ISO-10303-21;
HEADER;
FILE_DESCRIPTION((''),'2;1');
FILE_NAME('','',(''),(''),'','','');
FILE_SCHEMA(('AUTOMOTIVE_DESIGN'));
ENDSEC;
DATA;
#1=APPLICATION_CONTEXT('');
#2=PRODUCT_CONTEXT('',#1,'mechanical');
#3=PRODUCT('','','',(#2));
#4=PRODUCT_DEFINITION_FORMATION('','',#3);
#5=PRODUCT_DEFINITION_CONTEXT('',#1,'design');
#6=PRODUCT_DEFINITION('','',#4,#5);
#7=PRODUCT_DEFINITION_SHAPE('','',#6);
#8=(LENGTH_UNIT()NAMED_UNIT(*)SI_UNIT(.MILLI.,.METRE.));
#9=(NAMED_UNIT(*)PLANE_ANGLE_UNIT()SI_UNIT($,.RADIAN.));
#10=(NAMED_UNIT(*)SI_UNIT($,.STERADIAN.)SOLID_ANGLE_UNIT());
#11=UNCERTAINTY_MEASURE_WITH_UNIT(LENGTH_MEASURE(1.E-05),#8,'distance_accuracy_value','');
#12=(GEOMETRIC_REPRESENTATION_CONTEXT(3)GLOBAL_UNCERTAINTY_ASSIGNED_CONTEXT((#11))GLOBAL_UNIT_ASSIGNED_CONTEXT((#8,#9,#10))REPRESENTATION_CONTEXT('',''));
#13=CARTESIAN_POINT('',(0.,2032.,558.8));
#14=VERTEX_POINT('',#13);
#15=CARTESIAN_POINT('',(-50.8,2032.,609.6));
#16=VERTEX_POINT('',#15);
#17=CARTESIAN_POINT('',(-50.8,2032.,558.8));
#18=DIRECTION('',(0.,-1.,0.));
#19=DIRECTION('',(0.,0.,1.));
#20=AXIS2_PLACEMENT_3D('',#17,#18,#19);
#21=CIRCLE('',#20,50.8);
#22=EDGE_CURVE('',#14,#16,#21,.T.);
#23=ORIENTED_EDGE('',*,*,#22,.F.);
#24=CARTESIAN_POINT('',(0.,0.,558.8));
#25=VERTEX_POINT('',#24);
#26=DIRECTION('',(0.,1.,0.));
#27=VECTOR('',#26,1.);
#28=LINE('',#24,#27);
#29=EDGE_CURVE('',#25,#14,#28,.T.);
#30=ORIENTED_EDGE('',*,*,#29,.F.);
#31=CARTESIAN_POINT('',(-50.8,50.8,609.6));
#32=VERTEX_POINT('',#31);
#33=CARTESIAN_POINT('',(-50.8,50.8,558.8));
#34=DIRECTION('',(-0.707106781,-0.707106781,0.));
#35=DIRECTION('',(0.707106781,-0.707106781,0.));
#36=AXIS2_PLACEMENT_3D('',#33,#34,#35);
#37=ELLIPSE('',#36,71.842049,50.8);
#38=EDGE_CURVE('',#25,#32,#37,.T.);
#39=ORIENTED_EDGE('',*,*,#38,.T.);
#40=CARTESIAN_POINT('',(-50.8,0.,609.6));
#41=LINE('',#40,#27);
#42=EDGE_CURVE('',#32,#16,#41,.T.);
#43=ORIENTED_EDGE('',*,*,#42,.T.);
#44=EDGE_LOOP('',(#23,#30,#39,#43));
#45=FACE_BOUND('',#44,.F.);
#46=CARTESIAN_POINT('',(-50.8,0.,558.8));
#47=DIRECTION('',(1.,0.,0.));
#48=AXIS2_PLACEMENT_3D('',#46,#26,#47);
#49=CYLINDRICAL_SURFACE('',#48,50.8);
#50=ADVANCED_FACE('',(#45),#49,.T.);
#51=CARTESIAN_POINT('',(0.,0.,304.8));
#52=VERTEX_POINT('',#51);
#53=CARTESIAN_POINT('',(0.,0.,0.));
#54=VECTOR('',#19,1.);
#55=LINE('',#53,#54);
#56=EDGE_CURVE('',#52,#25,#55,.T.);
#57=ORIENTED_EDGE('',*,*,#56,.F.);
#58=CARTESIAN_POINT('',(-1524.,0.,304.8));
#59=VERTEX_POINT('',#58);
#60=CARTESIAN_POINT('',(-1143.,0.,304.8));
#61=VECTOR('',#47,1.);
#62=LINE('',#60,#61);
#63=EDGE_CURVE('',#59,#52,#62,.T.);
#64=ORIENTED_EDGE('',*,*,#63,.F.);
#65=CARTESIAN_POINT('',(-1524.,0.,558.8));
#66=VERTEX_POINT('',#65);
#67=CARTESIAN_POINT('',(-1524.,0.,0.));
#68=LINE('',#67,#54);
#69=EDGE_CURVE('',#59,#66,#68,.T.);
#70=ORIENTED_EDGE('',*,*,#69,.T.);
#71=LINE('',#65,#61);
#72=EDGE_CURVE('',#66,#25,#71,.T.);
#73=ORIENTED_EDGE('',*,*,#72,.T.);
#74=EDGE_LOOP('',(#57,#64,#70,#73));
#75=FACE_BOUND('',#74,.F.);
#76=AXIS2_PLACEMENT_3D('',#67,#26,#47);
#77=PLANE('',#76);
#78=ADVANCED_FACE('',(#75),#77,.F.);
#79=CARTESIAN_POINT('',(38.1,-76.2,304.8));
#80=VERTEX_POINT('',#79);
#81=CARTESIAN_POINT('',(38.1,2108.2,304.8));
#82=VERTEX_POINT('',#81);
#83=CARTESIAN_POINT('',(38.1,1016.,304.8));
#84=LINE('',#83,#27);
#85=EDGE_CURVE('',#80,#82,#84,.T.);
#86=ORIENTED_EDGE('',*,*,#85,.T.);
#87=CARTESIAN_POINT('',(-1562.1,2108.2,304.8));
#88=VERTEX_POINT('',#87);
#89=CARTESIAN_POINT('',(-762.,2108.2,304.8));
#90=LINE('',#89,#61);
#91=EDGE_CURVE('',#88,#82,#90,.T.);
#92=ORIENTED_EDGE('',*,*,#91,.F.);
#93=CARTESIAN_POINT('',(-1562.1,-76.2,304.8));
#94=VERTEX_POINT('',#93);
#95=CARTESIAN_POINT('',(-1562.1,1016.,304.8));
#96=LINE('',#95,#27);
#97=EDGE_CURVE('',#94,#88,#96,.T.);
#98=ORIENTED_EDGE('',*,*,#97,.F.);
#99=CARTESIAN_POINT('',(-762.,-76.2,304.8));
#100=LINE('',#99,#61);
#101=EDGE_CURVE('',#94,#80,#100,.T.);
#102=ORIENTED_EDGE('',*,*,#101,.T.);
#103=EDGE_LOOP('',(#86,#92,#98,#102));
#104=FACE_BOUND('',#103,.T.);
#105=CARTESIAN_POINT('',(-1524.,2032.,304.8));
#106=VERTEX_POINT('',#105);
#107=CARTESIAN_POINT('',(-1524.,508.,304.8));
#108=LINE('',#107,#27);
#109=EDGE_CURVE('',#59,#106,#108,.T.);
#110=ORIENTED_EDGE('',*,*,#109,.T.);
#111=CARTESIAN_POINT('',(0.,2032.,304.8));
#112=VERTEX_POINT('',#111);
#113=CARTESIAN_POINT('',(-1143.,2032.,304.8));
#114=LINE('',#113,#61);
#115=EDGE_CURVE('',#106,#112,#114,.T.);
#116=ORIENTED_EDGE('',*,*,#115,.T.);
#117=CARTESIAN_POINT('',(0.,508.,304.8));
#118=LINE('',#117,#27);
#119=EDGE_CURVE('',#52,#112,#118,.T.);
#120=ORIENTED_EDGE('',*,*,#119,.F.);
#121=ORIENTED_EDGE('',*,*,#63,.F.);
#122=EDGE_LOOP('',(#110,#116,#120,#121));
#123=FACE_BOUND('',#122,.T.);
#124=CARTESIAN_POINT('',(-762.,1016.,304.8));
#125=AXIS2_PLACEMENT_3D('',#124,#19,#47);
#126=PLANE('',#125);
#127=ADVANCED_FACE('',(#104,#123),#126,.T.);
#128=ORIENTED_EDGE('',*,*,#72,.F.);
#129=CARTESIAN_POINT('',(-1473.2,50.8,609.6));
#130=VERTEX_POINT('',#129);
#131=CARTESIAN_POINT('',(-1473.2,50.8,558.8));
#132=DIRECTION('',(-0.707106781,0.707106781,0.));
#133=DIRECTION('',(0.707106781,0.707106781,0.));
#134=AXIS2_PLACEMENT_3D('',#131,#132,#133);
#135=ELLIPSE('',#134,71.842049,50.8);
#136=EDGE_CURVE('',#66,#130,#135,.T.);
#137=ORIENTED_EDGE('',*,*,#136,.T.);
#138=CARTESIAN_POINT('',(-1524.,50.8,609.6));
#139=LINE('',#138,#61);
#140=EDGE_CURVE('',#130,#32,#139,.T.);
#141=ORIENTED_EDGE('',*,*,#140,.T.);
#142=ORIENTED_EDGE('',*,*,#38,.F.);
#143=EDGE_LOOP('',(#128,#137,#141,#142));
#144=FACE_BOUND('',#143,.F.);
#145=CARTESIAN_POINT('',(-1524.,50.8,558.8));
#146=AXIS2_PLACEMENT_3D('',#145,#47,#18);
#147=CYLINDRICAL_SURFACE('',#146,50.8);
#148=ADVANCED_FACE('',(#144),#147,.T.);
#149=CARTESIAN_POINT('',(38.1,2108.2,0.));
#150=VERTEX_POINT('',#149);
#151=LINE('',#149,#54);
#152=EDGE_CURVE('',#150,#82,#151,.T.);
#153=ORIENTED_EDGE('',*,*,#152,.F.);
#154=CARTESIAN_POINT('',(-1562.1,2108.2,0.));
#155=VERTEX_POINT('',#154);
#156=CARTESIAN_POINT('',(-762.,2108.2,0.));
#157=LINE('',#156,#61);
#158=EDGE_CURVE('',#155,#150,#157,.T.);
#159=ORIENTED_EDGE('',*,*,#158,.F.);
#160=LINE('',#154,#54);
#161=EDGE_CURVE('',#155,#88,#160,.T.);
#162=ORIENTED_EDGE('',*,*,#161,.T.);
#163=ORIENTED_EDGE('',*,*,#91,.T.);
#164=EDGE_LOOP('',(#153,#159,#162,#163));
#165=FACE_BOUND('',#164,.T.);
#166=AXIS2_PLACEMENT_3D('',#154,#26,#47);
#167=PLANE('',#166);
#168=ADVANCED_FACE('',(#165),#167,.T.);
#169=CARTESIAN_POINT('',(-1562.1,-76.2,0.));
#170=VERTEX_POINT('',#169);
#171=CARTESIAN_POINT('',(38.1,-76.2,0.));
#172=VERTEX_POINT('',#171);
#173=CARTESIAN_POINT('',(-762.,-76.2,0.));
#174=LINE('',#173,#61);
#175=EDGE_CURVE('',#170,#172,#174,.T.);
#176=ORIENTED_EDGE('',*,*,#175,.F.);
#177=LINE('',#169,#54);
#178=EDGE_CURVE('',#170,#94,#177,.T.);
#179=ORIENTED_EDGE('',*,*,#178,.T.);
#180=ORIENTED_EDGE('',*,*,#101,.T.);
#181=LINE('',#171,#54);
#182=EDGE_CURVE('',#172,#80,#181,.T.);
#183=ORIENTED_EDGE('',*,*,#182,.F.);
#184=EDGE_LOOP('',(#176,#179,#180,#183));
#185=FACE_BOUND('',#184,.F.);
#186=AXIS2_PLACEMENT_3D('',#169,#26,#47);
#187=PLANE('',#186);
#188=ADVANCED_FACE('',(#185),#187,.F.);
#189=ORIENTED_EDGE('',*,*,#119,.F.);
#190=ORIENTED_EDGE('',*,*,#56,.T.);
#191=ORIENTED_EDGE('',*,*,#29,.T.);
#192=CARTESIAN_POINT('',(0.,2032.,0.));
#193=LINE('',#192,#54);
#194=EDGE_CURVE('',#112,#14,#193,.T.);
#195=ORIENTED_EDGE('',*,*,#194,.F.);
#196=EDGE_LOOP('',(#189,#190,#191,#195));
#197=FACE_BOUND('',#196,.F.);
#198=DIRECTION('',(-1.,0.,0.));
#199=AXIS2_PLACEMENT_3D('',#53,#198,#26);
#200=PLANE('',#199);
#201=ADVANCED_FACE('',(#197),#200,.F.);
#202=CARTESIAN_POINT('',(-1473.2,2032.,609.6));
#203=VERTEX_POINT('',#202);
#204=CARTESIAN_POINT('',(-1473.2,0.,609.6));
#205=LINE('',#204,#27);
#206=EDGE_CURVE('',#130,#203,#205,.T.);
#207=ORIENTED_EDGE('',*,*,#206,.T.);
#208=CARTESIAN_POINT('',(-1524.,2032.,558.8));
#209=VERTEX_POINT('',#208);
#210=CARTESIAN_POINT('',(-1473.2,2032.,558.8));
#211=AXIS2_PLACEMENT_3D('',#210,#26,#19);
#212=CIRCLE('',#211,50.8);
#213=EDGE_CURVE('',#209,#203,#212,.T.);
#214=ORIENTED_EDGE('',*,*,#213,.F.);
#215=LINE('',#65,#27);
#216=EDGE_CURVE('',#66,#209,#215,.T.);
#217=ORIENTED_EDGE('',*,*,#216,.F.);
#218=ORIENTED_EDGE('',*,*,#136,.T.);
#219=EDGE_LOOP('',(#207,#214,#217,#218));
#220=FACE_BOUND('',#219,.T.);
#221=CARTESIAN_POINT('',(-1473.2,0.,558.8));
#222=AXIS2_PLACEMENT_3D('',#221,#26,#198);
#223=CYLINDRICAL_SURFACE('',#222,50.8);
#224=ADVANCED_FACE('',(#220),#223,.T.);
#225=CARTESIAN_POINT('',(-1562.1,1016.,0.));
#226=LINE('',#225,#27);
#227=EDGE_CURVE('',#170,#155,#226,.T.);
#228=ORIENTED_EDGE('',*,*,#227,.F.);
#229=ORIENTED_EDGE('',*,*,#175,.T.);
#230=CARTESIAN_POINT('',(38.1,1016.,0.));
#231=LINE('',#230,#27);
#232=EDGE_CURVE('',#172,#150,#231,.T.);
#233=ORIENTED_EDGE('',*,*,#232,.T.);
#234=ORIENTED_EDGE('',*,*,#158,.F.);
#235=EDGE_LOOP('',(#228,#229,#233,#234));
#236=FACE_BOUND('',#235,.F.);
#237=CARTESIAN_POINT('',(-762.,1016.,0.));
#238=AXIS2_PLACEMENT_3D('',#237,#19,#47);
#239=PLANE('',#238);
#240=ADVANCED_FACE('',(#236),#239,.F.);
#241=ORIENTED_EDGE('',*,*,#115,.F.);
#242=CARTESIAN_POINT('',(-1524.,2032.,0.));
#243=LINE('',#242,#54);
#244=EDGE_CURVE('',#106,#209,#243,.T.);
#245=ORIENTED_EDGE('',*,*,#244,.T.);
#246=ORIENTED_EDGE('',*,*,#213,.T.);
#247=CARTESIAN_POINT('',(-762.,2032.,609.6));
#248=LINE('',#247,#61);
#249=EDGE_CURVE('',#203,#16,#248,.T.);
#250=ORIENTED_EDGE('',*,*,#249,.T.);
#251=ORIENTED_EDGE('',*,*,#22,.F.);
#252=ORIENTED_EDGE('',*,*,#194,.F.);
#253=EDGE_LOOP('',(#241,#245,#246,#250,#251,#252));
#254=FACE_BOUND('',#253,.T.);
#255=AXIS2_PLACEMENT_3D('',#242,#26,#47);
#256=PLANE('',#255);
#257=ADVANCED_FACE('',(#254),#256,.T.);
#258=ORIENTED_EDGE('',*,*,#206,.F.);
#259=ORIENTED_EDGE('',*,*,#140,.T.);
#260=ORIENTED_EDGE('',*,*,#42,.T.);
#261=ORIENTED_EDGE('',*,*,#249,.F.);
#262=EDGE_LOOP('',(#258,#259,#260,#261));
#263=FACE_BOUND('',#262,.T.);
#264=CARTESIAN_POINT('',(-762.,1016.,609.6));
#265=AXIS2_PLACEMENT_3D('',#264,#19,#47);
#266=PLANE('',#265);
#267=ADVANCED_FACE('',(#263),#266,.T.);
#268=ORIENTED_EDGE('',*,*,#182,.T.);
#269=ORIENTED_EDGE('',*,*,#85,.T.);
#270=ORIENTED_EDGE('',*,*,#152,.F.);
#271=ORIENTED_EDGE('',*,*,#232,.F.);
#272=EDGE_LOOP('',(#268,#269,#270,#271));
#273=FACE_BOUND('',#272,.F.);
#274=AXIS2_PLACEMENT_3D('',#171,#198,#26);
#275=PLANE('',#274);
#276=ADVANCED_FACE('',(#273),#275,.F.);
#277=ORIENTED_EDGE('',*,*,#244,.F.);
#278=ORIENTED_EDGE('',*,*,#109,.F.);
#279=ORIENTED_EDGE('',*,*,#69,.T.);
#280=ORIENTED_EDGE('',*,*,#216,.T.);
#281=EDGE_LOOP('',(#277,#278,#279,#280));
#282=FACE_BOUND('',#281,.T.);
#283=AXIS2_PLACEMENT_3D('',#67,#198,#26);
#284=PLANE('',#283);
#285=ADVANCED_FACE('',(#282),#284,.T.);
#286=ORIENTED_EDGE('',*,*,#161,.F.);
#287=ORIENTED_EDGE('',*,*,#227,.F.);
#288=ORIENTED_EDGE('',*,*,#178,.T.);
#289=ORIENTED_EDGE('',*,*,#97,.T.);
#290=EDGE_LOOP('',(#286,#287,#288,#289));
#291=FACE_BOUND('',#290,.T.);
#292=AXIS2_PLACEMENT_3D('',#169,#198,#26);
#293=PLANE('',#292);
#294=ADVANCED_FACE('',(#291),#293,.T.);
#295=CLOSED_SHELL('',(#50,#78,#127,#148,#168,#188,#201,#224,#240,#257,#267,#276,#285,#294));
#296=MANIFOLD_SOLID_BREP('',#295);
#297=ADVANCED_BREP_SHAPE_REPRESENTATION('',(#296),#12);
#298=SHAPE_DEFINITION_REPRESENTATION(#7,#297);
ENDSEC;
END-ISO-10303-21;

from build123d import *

# Parameters (mm, degrees)
F0_W     = 1524
F0_H     = 2032
F1_DEPTH = 609.6
F2_R     = 50.8
F3_W     = 1600.2
F3_H     = 2184.4
F4_DEPTH = 304.8


with BuildPart() as f1:
    # F0 (on Top) → F1 (new body)
    with BuildSketch(Plane.XY):
        with Locations((-762, 1016)):
            Rectangle(F0_W, F0_H)
    extrude(amount=F1_DEPTH)

    # F2
    f2_edges = [f1.edges().sort_by_distance(p)[0] for p in [
        (-762, 0, 609.6),
        (-1524, 1016, 609.6),
        (0, 1016, 609.6),
    ]]
    fillet(f2_edges, radius=F2_R)

    # F3 (on Top) → F4 (join)
    with BuildSketch(Plane.XY):
        with Locations((-762, 1016)):
            Rectangle(F3_W, F3_H)
    extrude(amount=F4_DEPTH)


solid = f1.part
